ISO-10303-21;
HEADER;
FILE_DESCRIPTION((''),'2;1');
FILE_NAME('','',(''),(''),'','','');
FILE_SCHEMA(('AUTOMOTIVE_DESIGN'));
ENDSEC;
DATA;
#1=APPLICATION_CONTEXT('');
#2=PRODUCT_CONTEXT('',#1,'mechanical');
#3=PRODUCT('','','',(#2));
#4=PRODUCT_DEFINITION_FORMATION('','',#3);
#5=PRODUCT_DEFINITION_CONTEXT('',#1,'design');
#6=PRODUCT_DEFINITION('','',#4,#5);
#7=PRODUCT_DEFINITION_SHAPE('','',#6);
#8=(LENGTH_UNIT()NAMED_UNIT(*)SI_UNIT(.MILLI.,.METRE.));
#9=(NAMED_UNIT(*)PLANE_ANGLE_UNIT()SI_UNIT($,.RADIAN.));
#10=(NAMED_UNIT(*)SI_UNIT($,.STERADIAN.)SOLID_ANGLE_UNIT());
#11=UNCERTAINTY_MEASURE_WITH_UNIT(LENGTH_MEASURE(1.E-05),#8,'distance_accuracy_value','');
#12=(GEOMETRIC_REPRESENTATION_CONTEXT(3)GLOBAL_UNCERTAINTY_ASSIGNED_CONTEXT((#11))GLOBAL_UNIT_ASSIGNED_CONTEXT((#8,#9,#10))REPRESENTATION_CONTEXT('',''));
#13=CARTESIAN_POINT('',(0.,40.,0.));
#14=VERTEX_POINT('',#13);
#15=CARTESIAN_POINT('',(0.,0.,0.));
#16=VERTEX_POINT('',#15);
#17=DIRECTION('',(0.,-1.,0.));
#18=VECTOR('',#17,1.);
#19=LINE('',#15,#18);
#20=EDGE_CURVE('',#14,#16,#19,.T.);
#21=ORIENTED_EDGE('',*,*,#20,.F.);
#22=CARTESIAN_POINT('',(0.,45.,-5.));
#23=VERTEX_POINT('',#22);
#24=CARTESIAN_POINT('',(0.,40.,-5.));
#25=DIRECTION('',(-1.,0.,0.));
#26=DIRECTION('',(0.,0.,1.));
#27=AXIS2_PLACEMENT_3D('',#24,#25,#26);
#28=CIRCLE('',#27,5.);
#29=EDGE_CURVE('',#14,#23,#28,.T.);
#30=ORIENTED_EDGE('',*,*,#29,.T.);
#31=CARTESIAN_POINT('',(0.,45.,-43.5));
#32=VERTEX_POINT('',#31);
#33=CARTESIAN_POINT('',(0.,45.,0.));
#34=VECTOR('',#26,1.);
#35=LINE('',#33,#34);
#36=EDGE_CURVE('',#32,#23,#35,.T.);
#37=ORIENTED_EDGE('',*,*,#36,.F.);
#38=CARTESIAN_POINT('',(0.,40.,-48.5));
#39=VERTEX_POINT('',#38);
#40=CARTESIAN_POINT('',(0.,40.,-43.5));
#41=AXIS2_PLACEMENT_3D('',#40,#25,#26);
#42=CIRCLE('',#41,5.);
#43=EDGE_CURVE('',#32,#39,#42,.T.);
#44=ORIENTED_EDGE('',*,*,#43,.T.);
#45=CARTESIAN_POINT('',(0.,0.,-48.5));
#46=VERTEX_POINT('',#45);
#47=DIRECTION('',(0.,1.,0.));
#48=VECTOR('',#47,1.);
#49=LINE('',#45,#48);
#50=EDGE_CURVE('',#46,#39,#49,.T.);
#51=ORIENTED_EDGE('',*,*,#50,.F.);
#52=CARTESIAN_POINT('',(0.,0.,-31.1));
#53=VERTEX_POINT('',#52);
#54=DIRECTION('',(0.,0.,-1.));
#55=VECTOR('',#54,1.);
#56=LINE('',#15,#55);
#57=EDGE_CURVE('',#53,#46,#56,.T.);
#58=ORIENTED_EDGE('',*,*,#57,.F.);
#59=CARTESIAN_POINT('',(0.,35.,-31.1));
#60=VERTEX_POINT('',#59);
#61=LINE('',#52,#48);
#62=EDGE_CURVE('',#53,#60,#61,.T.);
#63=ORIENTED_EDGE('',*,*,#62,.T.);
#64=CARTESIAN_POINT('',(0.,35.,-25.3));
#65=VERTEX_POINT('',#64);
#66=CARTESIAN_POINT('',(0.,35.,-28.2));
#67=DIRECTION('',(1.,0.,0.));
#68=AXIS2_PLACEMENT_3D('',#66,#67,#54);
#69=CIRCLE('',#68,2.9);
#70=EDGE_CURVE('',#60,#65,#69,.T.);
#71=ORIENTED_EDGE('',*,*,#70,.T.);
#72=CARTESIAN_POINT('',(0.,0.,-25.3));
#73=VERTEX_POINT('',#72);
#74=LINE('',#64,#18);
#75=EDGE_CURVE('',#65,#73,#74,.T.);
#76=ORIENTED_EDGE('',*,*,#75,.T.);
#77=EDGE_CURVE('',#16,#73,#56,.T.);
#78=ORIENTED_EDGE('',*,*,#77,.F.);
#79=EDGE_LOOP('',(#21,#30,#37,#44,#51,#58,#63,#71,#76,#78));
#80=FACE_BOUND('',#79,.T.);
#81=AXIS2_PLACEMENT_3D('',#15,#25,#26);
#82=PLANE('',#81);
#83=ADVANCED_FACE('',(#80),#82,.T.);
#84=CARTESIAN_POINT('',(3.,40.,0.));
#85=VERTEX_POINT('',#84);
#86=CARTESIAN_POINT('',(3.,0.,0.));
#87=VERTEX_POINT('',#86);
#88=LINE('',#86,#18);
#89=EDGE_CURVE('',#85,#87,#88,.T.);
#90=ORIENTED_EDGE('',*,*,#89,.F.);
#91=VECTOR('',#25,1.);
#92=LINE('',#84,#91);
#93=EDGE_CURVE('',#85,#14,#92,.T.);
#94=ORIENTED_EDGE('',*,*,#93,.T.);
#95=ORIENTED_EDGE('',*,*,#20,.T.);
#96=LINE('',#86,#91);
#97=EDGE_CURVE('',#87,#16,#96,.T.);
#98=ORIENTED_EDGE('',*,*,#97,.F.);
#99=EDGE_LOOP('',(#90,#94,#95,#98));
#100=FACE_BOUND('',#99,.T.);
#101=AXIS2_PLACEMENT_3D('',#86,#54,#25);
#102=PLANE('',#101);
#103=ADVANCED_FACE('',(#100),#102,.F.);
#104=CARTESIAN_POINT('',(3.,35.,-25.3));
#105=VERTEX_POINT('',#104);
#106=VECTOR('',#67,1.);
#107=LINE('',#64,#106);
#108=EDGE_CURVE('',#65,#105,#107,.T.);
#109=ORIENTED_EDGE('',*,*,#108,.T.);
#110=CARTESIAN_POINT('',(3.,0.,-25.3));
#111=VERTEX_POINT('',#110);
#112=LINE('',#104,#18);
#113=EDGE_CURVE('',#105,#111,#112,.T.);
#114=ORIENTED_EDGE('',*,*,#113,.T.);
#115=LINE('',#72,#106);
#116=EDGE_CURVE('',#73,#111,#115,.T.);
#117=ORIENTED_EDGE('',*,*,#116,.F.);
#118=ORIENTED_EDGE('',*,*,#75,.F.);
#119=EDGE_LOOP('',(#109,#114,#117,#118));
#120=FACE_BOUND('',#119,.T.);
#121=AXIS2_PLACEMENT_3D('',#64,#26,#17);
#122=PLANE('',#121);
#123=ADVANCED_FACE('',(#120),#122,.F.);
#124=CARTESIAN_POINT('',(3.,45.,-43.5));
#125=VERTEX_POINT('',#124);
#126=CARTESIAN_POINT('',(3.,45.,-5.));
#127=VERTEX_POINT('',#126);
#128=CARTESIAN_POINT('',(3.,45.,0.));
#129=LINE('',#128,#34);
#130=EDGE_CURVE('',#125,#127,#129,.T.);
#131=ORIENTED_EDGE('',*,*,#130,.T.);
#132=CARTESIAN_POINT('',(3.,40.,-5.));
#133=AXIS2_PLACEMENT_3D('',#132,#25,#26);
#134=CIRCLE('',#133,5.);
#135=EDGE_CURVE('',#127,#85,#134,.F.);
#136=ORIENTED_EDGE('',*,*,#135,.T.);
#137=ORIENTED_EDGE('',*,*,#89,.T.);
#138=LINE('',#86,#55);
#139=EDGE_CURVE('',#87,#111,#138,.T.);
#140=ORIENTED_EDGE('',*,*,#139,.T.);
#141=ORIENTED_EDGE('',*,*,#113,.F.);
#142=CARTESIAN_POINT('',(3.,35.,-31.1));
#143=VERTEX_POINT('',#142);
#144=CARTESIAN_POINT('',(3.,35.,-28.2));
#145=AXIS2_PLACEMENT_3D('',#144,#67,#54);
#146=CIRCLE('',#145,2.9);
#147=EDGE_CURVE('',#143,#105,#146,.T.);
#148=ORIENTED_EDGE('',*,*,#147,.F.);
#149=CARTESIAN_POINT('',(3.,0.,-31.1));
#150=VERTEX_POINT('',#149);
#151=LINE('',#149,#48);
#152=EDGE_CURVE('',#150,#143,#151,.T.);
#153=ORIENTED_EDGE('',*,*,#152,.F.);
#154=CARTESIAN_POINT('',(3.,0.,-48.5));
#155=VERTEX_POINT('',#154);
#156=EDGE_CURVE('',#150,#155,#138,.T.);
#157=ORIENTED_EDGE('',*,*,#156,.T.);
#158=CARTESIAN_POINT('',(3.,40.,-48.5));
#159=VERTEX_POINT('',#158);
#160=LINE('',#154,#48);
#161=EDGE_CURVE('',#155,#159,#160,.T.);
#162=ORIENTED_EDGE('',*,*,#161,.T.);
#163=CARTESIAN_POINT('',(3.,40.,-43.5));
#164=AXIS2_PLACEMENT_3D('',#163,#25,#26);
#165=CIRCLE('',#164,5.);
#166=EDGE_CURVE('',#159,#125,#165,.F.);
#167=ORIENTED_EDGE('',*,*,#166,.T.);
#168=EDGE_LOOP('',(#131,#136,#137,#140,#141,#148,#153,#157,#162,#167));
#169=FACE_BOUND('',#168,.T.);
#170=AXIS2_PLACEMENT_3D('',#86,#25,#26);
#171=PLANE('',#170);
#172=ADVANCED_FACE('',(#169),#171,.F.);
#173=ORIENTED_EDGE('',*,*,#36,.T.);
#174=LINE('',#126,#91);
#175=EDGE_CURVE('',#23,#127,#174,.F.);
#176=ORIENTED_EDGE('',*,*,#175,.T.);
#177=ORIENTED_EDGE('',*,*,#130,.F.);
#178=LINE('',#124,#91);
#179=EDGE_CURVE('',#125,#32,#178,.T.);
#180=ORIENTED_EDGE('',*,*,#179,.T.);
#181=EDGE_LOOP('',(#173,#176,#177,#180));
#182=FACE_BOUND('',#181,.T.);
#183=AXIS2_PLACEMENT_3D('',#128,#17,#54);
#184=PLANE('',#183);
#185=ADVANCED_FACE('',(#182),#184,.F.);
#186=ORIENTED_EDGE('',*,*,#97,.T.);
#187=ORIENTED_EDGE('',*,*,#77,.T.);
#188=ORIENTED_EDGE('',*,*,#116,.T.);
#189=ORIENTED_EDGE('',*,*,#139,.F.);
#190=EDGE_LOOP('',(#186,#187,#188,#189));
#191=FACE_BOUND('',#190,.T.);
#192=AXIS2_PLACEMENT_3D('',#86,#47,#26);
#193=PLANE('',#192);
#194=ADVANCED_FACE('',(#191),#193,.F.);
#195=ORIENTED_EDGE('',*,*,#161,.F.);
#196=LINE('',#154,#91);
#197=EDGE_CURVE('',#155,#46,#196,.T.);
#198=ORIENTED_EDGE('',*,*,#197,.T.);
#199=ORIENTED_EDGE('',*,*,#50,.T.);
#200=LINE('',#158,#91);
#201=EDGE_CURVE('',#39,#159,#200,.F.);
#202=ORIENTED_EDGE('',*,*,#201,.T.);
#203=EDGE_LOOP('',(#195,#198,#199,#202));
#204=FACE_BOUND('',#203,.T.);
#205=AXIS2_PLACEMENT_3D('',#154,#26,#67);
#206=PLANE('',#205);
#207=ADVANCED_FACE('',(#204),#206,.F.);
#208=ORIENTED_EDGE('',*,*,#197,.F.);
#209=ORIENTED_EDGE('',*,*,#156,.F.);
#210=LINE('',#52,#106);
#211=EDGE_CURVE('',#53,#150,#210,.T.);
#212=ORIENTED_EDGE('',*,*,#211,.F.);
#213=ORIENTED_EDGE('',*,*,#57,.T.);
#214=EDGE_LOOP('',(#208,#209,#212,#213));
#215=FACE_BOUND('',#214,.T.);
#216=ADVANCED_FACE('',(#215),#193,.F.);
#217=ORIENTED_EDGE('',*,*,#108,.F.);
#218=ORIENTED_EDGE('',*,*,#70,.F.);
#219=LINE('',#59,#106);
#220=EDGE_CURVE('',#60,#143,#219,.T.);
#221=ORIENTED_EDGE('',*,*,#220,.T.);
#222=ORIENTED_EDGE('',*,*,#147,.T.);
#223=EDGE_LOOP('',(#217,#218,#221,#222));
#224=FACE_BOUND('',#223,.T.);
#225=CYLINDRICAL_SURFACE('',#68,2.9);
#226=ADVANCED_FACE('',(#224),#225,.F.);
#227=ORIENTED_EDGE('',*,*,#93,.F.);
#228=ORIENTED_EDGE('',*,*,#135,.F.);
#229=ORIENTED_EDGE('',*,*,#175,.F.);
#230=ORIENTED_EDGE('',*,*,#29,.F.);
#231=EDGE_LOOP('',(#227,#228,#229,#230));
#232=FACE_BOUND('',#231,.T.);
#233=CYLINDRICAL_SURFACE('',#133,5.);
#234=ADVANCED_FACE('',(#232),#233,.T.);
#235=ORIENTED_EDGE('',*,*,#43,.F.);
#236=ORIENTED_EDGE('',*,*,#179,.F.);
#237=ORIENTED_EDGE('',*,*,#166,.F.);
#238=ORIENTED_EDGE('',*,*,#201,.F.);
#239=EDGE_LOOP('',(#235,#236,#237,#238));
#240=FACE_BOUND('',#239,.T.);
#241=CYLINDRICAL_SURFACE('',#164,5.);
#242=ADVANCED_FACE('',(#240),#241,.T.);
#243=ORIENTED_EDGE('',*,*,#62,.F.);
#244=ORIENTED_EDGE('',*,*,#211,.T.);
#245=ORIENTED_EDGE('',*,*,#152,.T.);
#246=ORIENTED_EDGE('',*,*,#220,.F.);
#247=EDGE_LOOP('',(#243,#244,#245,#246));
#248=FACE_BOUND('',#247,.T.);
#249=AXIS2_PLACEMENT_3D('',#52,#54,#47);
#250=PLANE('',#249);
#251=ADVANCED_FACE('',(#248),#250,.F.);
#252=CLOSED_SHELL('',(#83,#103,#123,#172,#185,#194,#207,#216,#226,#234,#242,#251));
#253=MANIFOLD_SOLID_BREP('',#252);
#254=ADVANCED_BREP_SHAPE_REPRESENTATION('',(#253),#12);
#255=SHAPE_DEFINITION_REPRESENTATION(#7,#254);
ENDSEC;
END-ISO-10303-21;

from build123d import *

# Parameters (mm, degrees)
SKETCH1_W           = 48.5
SKETCH1_H           = 45
BOSS_EXTRUDE1_DEPTH = 3
CUT_EXTRUDE1_DEPTH  = 4
FILLET1_R           = 5


with BuildPart() as part:
    # Sketch1 → Boss-Extrude1 (new body)
    with BuildSketch(Plane(origin=(0, 0, 0), x_dir=(0, 0, -1), z_dir=(1, 0, 0))):
        with Locations((24.25, 22.5)):
            Rectangle(SKETCH1_W, SKETCH1_H)
    extrude(amount=BOSS_EXTRUDE1_DEPTH)

    # Sketch2 → Cut-Extrude1 (cut, through all)
    with BuildSketch(Plane(origin=(3, 0, 0), x_dir=(0, 0, -1), z_dir=(1, 0, 0))):
        with BuildLine():
            Line((25.3, 35), (25.3, 0))
            Line((25.3, 0), (31.1, 0))
            Line((31.1, 0), (31.1, 35))
            ThreePointArc((31.1, 35), (28.2, 37.9), (25.3, 35))
        make_face()
    extrude(amount=-CUT_EXTRUDE1_DEPTH, mode=Mode.SUBTRACT)

    # Fillet1
    fillet1_edges = [part.edges().sort_by_distance(p)[0] for p in [
        (1.5, 45, 0),
        (1.5, 45, -48.5),
    ]]
    fillet(fillet1_edges, radius=FILLET1_R)


solid = part.part
